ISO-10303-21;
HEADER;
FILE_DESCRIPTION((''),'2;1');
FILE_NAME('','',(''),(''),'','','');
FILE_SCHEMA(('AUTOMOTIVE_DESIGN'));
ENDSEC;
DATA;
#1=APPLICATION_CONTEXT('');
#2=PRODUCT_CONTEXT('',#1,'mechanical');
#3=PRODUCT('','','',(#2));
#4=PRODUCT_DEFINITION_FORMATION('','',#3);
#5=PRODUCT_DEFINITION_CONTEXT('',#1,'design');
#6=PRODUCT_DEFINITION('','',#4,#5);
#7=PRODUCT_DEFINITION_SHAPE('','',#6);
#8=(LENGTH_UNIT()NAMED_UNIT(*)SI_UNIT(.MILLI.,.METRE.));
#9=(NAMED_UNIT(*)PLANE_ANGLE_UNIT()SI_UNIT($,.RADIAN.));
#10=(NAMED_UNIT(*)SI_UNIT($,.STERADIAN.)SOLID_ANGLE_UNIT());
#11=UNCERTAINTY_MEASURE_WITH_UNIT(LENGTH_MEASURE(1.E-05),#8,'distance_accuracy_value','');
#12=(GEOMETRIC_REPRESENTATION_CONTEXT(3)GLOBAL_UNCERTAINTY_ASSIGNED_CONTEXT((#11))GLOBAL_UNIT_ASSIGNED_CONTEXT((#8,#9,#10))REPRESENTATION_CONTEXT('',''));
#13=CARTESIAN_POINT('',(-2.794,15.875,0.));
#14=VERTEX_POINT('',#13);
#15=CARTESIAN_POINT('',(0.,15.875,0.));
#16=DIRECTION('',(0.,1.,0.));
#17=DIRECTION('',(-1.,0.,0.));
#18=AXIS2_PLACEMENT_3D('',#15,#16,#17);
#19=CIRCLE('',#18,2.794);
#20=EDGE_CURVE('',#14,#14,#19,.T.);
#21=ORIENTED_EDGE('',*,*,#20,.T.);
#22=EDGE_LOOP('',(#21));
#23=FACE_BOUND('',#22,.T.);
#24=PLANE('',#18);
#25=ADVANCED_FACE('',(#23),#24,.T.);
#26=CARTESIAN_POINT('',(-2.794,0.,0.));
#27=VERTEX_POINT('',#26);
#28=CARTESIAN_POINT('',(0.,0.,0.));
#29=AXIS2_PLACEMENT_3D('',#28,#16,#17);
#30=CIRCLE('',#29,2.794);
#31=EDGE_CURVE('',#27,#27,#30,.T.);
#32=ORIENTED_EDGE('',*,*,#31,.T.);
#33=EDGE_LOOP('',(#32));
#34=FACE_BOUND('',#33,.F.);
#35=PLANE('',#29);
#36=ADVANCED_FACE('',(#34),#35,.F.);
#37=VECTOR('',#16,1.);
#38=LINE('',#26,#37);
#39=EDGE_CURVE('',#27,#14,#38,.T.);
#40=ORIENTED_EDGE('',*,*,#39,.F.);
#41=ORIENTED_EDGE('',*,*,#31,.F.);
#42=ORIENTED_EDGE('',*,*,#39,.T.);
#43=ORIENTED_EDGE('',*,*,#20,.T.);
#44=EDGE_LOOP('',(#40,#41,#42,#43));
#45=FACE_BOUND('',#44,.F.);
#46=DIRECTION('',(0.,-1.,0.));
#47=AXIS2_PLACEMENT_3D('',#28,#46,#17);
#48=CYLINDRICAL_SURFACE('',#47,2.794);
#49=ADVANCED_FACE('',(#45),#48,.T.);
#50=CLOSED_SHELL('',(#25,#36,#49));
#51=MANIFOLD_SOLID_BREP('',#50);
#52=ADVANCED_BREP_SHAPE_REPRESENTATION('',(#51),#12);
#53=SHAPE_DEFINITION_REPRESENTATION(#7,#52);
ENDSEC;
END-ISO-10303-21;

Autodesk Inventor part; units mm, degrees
ref_plane "YZ Plane" through (0, 0, 0) normal (1, 0, 0) x (0, 1, 0)
ref_plane "XZ Plane" through (0, 0, 0) normal (0, 1, 0) x (-1, 0, 0)
ref_plane "XY Plane" through (0, 0, 0) normal (0, 0, 1) x (1, 0, 0)
sketch "Sketch1" plane through (0, 0, 0) normal (0, 1, 0) x (-1, 0, 0)
  circle A0 centre (0, 0) radius 2.794
  dimension "d0" = 5.588
extrude "Extrusion1" add sketch "Sketch1" along normal blind 15.875
properties part number "Driving Pin"
